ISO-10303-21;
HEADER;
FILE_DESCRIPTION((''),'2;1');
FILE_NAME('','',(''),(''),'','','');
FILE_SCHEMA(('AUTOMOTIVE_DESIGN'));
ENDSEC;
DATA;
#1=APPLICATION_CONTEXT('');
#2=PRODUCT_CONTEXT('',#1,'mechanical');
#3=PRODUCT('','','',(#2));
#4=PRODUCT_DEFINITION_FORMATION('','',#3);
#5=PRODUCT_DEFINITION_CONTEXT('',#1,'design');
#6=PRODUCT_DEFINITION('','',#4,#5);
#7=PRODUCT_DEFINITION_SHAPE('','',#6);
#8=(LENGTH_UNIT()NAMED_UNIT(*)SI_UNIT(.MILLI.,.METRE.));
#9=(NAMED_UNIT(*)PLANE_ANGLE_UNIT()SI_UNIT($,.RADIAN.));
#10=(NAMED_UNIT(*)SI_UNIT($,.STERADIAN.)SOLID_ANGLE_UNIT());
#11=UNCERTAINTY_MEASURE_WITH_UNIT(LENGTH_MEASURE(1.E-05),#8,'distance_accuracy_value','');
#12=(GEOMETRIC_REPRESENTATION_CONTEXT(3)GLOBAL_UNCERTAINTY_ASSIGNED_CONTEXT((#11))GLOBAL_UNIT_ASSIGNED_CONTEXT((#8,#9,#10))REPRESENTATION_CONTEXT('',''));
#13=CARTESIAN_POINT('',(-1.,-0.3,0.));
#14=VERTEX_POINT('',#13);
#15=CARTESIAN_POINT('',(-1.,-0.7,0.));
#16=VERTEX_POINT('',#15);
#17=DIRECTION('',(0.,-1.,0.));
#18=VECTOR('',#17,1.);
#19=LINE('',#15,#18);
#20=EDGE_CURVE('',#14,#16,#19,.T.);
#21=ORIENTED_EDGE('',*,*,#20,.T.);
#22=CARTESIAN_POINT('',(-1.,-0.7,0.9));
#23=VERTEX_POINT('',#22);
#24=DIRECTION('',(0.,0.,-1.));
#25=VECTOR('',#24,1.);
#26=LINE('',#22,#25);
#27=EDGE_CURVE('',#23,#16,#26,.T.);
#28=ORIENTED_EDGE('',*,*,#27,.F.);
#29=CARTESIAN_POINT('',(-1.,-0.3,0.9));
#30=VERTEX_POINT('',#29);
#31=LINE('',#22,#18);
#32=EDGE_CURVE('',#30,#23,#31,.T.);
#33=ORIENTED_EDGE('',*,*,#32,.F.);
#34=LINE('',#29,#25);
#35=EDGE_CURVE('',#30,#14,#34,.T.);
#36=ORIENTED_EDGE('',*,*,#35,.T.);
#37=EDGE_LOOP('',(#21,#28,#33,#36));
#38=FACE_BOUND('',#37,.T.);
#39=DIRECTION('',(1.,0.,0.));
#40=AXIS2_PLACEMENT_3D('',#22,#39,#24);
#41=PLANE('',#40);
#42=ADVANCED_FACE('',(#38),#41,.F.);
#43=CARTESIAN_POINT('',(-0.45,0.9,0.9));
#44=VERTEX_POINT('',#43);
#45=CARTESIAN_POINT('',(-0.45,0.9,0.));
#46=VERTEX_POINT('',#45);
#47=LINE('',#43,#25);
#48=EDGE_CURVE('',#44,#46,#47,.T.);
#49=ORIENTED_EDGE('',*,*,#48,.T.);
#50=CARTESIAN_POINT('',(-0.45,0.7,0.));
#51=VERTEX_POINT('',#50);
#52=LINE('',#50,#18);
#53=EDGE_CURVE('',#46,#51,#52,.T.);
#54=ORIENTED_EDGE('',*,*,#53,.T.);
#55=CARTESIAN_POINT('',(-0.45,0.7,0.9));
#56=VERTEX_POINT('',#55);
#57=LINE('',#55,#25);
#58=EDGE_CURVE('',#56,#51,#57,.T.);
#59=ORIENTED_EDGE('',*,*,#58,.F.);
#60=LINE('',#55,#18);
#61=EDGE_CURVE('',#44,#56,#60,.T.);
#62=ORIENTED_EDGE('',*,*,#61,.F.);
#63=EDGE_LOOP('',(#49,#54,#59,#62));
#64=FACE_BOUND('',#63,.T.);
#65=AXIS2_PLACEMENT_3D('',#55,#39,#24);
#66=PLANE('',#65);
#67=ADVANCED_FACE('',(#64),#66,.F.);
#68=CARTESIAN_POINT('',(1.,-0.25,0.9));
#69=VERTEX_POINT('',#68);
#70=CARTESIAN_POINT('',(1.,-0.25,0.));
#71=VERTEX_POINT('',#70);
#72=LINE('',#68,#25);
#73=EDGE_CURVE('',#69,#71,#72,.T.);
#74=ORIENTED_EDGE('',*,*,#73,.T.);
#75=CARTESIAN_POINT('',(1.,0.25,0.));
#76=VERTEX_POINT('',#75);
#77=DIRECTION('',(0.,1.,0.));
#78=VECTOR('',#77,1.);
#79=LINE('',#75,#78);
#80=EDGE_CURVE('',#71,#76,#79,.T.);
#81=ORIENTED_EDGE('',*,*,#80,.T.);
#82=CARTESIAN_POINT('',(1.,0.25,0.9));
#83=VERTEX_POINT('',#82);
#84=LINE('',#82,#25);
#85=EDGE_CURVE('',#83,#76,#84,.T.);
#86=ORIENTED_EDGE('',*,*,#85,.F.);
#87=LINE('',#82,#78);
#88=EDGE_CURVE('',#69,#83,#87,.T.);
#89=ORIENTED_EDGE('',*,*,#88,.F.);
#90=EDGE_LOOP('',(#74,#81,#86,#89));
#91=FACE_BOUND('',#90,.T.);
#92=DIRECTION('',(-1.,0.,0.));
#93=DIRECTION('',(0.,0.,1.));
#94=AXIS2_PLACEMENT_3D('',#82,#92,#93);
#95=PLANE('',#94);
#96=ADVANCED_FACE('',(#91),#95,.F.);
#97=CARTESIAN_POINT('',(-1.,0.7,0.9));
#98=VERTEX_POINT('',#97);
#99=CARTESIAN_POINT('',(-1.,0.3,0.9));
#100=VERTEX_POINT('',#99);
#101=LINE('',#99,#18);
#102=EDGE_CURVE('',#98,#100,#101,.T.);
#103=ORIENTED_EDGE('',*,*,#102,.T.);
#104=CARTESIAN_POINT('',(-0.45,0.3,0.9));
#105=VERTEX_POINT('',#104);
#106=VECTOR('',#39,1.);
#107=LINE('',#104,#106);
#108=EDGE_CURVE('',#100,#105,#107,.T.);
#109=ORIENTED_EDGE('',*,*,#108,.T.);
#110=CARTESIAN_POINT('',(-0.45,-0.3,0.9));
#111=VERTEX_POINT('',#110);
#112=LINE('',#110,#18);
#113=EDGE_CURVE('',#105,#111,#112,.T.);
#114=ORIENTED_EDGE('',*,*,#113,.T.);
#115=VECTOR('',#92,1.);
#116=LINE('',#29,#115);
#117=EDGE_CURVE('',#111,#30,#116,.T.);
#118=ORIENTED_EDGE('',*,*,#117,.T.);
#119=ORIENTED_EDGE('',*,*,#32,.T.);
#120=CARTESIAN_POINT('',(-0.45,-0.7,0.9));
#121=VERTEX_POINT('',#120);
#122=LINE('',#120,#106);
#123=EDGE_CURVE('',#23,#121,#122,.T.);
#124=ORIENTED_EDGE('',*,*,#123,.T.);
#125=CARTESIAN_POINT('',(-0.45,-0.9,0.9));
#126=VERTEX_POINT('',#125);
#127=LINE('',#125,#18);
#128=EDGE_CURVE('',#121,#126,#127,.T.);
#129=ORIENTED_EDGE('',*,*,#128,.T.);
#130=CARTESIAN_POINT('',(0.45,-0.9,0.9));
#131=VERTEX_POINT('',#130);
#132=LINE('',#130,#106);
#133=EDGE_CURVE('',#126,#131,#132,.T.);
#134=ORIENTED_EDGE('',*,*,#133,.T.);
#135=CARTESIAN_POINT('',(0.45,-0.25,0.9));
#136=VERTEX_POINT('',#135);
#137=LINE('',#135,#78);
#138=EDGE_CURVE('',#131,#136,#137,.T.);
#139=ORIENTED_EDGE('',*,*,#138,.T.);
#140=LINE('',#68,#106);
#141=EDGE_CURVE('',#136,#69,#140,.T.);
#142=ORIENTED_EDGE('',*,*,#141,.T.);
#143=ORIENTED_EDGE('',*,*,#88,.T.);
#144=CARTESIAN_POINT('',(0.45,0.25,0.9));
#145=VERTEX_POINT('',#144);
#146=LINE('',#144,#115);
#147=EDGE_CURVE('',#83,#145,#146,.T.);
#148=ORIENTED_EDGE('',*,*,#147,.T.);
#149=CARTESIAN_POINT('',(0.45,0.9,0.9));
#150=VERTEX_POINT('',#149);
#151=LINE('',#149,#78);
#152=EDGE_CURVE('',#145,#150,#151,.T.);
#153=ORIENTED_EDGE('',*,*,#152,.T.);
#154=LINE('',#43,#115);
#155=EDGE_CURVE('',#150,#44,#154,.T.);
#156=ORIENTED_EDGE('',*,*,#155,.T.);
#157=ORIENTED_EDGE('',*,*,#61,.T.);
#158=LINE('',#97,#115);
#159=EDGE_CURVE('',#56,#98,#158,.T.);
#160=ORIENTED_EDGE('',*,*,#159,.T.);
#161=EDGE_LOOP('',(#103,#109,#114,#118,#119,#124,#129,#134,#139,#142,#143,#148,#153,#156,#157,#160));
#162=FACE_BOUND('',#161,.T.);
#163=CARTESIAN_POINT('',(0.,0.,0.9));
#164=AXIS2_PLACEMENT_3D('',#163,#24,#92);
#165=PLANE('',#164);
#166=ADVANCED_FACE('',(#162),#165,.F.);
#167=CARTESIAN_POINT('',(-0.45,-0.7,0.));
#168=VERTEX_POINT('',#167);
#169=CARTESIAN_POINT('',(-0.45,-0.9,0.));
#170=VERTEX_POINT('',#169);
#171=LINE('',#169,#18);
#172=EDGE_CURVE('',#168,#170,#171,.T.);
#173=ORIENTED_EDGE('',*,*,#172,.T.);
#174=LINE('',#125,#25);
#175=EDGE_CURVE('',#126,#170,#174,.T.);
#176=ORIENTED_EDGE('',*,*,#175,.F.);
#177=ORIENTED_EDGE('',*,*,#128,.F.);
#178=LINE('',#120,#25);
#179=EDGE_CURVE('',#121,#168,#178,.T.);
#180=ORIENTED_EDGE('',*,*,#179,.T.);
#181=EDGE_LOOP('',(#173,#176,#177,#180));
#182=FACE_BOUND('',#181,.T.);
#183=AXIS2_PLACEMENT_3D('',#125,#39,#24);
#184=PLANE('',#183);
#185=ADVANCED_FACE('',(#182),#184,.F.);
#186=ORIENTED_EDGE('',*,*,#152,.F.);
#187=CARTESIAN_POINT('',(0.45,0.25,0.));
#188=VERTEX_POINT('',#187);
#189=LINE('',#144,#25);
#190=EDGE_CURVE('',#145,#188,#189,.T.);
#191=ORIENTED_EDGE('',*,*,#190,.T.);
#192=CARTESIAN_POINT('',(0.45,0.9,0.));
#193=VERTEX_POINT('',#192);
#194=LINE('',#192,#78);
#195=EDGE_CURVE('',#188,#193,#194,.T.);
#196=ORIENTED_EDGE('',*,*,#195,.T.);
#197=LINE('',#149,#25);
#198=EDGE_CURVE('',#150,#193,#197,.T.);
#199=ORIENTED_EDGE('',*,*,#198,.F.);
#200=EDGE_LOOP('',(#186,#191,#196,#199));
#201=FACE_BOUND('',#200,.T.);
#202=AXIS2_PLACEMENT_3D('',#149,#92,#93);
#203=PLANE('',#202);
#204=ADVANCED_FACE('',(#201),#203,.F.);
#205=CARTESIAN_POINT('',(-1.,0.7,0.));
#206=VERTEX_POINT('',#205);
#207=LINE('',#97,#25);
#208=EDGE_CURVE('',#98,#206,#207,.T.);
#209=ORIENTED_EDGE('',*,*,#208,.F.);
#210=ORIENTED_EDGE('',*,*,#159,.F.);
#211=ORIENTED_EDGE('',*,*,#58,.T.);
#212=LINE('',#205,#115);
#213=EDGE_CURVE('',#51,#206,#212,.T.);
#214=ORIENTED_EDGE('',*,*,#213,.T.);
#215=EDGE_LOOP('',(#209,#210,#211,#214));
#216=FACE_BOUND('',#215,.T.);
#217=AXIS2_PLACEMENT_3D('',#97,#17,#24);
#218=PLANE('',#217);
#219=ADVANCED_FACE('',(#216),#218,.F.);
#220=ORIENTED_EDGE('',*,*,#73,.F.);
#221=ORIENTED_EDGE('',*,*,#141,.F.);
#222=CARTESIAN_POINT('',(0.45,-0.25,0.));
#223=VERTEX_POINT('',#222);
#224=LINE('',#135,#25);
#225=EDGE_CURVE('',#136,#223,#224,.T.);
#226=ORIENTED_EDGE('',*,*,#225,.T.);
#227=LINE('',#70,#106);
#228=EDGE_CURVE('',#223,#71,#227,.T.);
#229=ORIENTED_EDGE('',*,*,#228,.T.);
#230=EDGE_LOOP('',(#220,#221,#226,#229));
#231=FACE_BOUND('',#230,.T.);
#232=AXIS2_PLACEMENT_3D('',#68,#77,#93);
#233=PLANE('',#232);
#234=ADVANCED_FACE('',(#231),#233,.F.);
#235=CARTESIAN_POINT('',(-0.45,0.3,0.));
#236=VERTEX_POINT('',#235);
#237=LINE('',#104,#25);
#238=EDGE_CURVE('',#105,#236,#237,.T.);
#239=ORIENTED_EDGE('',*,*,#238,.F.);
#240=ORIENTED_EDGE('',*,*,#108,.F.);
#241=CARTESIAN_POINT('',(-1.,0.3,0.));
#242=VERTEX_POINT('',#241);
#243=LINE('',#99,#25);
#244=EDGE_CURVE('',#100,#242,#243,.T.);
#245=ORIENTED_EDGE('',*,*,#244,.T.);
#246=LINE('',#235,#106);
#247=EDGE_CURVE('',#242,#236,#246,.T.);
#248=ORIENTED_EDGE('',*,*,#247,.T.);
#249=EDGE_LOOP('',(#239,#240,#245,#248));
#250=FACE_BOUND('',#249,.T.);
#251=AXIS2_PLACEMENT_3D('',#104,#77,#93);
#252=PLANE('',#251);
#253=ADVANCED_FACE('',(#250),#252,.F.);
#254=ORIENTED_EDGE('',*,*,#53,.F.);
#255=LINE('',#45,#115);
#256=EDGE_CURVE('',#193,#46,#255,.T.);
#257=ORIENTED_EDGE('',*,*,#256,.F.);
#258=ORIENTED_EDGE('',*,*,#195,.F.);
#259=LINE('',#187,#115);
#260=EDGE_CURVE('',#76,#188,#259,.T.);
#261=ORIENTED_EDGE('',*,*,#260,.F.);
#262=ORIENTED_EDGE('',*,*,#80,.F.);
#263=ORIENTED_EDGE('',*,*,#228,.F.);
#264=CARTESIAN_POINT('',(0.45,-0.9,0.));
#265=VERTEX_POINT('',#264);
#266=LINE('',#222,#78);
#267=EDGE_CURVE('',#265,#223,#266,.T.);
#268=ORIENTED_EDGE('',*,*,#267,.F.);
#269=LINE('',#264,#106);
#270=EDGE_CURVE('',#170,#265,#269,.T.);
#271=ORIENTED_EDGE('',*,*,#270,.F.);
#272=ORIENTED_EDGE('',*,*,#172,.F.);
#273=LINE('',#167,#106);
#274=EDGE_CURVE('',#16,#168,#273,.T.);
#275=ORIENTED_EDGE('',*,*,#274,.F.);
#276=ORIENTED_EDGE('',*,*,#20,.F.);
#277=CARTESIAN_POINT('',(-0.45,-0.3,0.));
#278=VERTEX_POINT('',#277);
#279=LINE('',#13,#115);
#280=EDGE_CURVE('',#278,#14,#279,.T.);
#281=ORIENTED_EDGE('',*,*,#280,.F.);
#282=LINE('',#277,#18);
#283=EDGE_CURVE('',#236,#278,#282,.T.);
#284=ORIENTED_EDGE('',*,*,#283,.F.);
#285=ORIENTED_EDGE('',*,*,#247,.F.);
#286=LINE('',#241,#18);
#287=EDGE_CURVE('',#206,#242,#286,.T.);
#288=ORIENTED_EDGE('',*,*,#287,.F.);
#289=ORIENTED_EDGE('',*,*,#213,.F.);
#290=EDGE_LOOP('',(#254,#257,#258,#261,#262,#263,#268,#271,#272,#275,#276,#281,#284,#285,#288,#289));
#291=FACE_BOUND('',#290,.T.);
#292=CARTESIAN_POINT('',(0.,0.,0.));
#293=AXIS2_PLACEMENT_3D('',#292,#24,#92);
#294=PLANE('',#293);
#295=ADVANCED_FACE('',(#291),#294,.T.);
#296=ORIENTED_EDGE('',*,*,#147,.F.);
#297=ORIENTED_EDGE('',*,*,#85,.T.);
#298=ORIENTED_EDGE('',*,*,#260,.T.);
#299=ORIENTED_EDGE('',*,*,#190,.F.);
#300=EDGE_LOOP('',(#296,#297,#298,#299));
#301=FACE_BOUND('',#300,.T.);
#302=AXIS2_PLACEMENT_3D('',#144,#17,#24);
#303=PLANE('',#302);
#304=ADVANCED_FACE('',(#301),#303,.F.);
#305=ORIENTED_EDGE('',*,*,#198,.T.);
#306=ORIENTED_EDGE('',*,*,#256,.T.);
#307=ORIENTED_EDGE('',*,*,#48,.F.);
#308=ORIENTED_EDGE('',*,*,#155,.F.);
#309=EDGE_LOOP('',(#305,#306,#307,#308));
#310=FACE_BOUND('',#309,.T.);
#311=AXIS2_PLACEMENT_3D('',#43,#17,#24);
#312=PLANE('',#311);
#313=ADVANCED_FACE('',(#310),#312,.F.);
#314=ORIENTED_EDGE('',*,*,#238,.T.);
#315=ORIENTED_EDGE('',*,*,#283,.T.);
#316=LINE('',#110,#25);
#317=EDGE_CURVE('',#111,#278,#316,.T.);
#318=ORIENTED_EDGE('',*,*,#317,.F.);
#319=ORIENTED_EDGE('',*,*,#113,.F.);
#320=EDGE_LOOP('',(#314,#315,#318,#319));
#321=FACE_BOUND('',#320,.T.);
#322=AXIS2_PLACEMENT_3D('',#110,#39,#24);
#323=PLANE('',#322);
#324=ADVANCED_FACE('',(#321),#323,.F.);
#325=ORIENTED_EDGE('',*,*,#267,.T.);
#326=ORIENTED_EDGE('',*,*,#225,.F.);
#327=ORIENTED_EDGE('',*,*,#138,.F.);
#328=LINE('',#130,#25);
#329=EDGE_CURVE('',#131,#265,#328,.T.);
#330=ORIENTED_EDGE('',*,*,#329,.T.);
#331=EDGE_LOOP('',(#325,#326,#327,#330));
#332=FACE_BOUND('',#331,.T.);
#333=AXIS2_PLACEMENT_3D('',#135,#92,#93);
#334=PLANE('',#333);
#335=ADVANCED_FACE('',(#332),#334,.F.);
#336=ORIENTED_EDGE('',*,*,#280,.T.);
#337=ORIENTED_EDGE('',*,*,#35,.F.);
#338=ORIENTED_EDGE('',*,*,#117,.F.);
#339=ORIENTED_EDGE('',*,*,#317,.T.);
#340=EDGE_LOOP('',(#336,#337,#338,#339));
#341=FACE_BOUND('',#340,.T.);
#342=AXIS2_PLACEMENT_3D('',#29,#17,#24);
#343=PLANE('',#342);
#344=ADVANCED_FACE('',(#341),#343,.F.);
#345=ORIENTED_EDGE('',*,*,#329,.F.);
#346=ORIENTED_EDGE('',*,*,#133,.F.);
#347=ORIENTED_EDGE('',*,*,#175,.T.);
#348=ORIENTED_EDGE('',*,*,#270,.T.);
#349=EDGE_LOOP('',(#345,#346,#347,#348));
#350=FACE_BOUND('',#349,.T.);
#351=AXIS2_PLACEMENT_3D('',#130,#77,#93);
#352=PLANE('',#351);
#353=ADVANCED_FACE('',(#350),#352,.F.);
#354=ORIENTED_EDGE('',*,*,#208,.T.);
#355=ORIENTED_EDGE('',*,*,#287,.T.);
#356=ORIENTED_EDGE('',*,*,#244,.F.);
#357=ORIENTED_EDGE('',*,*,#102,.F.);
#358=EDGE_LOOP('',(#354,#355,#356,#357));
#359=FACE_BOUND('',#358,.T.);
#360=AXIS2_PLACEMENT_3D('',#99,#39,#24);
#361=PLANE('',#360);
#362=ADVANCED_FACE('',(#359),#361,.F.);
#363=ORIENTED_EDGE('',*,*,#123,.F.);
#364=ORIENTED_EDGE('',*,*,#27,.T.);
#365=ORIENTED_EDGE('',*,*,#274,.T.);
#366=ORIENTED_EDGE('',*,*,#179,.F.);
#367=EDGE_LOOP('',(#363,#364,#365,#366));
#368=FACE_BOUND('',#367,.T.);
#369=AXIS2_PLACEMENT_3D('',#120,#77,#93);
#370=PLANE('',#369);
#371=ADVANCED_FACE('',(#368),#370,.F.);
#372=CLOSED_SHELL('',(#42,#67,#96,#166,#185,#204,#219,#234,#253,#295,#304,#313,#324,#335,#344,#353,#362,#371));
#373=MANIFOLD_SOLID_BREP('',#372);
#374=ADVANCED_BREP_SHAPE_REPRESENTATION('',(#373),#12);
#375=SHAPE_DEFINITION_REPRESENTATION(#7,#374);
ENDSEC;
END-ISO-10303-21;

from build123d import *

# Parameters (mm, degrees)
COMPONENT_OUTLINE_DEPTH = 0.9


with BuildPart() as part:
    # 草图1 → Component_Outline (new body)
    with BuildSketch(Plane.XY):
        Polygon((1, -0.25), (0.45, -0.25), (0.45, -0.9), (-0.45, -0.9), (-0.45, -0.7), (-1, -0.7), (-1, -0.3), (-0.45, -0.3), (-0.45, 0.3), (-1, 0.3), (-1, 0.7), (-0.45, 0.7), (-0.45, 0.9), (0.45, 0.9), (0.45, 0.25), (1, 0.25), align=None)
    extrude(amount=COMPONENT_OUTLINE_DEPTH)


solid = part.part
